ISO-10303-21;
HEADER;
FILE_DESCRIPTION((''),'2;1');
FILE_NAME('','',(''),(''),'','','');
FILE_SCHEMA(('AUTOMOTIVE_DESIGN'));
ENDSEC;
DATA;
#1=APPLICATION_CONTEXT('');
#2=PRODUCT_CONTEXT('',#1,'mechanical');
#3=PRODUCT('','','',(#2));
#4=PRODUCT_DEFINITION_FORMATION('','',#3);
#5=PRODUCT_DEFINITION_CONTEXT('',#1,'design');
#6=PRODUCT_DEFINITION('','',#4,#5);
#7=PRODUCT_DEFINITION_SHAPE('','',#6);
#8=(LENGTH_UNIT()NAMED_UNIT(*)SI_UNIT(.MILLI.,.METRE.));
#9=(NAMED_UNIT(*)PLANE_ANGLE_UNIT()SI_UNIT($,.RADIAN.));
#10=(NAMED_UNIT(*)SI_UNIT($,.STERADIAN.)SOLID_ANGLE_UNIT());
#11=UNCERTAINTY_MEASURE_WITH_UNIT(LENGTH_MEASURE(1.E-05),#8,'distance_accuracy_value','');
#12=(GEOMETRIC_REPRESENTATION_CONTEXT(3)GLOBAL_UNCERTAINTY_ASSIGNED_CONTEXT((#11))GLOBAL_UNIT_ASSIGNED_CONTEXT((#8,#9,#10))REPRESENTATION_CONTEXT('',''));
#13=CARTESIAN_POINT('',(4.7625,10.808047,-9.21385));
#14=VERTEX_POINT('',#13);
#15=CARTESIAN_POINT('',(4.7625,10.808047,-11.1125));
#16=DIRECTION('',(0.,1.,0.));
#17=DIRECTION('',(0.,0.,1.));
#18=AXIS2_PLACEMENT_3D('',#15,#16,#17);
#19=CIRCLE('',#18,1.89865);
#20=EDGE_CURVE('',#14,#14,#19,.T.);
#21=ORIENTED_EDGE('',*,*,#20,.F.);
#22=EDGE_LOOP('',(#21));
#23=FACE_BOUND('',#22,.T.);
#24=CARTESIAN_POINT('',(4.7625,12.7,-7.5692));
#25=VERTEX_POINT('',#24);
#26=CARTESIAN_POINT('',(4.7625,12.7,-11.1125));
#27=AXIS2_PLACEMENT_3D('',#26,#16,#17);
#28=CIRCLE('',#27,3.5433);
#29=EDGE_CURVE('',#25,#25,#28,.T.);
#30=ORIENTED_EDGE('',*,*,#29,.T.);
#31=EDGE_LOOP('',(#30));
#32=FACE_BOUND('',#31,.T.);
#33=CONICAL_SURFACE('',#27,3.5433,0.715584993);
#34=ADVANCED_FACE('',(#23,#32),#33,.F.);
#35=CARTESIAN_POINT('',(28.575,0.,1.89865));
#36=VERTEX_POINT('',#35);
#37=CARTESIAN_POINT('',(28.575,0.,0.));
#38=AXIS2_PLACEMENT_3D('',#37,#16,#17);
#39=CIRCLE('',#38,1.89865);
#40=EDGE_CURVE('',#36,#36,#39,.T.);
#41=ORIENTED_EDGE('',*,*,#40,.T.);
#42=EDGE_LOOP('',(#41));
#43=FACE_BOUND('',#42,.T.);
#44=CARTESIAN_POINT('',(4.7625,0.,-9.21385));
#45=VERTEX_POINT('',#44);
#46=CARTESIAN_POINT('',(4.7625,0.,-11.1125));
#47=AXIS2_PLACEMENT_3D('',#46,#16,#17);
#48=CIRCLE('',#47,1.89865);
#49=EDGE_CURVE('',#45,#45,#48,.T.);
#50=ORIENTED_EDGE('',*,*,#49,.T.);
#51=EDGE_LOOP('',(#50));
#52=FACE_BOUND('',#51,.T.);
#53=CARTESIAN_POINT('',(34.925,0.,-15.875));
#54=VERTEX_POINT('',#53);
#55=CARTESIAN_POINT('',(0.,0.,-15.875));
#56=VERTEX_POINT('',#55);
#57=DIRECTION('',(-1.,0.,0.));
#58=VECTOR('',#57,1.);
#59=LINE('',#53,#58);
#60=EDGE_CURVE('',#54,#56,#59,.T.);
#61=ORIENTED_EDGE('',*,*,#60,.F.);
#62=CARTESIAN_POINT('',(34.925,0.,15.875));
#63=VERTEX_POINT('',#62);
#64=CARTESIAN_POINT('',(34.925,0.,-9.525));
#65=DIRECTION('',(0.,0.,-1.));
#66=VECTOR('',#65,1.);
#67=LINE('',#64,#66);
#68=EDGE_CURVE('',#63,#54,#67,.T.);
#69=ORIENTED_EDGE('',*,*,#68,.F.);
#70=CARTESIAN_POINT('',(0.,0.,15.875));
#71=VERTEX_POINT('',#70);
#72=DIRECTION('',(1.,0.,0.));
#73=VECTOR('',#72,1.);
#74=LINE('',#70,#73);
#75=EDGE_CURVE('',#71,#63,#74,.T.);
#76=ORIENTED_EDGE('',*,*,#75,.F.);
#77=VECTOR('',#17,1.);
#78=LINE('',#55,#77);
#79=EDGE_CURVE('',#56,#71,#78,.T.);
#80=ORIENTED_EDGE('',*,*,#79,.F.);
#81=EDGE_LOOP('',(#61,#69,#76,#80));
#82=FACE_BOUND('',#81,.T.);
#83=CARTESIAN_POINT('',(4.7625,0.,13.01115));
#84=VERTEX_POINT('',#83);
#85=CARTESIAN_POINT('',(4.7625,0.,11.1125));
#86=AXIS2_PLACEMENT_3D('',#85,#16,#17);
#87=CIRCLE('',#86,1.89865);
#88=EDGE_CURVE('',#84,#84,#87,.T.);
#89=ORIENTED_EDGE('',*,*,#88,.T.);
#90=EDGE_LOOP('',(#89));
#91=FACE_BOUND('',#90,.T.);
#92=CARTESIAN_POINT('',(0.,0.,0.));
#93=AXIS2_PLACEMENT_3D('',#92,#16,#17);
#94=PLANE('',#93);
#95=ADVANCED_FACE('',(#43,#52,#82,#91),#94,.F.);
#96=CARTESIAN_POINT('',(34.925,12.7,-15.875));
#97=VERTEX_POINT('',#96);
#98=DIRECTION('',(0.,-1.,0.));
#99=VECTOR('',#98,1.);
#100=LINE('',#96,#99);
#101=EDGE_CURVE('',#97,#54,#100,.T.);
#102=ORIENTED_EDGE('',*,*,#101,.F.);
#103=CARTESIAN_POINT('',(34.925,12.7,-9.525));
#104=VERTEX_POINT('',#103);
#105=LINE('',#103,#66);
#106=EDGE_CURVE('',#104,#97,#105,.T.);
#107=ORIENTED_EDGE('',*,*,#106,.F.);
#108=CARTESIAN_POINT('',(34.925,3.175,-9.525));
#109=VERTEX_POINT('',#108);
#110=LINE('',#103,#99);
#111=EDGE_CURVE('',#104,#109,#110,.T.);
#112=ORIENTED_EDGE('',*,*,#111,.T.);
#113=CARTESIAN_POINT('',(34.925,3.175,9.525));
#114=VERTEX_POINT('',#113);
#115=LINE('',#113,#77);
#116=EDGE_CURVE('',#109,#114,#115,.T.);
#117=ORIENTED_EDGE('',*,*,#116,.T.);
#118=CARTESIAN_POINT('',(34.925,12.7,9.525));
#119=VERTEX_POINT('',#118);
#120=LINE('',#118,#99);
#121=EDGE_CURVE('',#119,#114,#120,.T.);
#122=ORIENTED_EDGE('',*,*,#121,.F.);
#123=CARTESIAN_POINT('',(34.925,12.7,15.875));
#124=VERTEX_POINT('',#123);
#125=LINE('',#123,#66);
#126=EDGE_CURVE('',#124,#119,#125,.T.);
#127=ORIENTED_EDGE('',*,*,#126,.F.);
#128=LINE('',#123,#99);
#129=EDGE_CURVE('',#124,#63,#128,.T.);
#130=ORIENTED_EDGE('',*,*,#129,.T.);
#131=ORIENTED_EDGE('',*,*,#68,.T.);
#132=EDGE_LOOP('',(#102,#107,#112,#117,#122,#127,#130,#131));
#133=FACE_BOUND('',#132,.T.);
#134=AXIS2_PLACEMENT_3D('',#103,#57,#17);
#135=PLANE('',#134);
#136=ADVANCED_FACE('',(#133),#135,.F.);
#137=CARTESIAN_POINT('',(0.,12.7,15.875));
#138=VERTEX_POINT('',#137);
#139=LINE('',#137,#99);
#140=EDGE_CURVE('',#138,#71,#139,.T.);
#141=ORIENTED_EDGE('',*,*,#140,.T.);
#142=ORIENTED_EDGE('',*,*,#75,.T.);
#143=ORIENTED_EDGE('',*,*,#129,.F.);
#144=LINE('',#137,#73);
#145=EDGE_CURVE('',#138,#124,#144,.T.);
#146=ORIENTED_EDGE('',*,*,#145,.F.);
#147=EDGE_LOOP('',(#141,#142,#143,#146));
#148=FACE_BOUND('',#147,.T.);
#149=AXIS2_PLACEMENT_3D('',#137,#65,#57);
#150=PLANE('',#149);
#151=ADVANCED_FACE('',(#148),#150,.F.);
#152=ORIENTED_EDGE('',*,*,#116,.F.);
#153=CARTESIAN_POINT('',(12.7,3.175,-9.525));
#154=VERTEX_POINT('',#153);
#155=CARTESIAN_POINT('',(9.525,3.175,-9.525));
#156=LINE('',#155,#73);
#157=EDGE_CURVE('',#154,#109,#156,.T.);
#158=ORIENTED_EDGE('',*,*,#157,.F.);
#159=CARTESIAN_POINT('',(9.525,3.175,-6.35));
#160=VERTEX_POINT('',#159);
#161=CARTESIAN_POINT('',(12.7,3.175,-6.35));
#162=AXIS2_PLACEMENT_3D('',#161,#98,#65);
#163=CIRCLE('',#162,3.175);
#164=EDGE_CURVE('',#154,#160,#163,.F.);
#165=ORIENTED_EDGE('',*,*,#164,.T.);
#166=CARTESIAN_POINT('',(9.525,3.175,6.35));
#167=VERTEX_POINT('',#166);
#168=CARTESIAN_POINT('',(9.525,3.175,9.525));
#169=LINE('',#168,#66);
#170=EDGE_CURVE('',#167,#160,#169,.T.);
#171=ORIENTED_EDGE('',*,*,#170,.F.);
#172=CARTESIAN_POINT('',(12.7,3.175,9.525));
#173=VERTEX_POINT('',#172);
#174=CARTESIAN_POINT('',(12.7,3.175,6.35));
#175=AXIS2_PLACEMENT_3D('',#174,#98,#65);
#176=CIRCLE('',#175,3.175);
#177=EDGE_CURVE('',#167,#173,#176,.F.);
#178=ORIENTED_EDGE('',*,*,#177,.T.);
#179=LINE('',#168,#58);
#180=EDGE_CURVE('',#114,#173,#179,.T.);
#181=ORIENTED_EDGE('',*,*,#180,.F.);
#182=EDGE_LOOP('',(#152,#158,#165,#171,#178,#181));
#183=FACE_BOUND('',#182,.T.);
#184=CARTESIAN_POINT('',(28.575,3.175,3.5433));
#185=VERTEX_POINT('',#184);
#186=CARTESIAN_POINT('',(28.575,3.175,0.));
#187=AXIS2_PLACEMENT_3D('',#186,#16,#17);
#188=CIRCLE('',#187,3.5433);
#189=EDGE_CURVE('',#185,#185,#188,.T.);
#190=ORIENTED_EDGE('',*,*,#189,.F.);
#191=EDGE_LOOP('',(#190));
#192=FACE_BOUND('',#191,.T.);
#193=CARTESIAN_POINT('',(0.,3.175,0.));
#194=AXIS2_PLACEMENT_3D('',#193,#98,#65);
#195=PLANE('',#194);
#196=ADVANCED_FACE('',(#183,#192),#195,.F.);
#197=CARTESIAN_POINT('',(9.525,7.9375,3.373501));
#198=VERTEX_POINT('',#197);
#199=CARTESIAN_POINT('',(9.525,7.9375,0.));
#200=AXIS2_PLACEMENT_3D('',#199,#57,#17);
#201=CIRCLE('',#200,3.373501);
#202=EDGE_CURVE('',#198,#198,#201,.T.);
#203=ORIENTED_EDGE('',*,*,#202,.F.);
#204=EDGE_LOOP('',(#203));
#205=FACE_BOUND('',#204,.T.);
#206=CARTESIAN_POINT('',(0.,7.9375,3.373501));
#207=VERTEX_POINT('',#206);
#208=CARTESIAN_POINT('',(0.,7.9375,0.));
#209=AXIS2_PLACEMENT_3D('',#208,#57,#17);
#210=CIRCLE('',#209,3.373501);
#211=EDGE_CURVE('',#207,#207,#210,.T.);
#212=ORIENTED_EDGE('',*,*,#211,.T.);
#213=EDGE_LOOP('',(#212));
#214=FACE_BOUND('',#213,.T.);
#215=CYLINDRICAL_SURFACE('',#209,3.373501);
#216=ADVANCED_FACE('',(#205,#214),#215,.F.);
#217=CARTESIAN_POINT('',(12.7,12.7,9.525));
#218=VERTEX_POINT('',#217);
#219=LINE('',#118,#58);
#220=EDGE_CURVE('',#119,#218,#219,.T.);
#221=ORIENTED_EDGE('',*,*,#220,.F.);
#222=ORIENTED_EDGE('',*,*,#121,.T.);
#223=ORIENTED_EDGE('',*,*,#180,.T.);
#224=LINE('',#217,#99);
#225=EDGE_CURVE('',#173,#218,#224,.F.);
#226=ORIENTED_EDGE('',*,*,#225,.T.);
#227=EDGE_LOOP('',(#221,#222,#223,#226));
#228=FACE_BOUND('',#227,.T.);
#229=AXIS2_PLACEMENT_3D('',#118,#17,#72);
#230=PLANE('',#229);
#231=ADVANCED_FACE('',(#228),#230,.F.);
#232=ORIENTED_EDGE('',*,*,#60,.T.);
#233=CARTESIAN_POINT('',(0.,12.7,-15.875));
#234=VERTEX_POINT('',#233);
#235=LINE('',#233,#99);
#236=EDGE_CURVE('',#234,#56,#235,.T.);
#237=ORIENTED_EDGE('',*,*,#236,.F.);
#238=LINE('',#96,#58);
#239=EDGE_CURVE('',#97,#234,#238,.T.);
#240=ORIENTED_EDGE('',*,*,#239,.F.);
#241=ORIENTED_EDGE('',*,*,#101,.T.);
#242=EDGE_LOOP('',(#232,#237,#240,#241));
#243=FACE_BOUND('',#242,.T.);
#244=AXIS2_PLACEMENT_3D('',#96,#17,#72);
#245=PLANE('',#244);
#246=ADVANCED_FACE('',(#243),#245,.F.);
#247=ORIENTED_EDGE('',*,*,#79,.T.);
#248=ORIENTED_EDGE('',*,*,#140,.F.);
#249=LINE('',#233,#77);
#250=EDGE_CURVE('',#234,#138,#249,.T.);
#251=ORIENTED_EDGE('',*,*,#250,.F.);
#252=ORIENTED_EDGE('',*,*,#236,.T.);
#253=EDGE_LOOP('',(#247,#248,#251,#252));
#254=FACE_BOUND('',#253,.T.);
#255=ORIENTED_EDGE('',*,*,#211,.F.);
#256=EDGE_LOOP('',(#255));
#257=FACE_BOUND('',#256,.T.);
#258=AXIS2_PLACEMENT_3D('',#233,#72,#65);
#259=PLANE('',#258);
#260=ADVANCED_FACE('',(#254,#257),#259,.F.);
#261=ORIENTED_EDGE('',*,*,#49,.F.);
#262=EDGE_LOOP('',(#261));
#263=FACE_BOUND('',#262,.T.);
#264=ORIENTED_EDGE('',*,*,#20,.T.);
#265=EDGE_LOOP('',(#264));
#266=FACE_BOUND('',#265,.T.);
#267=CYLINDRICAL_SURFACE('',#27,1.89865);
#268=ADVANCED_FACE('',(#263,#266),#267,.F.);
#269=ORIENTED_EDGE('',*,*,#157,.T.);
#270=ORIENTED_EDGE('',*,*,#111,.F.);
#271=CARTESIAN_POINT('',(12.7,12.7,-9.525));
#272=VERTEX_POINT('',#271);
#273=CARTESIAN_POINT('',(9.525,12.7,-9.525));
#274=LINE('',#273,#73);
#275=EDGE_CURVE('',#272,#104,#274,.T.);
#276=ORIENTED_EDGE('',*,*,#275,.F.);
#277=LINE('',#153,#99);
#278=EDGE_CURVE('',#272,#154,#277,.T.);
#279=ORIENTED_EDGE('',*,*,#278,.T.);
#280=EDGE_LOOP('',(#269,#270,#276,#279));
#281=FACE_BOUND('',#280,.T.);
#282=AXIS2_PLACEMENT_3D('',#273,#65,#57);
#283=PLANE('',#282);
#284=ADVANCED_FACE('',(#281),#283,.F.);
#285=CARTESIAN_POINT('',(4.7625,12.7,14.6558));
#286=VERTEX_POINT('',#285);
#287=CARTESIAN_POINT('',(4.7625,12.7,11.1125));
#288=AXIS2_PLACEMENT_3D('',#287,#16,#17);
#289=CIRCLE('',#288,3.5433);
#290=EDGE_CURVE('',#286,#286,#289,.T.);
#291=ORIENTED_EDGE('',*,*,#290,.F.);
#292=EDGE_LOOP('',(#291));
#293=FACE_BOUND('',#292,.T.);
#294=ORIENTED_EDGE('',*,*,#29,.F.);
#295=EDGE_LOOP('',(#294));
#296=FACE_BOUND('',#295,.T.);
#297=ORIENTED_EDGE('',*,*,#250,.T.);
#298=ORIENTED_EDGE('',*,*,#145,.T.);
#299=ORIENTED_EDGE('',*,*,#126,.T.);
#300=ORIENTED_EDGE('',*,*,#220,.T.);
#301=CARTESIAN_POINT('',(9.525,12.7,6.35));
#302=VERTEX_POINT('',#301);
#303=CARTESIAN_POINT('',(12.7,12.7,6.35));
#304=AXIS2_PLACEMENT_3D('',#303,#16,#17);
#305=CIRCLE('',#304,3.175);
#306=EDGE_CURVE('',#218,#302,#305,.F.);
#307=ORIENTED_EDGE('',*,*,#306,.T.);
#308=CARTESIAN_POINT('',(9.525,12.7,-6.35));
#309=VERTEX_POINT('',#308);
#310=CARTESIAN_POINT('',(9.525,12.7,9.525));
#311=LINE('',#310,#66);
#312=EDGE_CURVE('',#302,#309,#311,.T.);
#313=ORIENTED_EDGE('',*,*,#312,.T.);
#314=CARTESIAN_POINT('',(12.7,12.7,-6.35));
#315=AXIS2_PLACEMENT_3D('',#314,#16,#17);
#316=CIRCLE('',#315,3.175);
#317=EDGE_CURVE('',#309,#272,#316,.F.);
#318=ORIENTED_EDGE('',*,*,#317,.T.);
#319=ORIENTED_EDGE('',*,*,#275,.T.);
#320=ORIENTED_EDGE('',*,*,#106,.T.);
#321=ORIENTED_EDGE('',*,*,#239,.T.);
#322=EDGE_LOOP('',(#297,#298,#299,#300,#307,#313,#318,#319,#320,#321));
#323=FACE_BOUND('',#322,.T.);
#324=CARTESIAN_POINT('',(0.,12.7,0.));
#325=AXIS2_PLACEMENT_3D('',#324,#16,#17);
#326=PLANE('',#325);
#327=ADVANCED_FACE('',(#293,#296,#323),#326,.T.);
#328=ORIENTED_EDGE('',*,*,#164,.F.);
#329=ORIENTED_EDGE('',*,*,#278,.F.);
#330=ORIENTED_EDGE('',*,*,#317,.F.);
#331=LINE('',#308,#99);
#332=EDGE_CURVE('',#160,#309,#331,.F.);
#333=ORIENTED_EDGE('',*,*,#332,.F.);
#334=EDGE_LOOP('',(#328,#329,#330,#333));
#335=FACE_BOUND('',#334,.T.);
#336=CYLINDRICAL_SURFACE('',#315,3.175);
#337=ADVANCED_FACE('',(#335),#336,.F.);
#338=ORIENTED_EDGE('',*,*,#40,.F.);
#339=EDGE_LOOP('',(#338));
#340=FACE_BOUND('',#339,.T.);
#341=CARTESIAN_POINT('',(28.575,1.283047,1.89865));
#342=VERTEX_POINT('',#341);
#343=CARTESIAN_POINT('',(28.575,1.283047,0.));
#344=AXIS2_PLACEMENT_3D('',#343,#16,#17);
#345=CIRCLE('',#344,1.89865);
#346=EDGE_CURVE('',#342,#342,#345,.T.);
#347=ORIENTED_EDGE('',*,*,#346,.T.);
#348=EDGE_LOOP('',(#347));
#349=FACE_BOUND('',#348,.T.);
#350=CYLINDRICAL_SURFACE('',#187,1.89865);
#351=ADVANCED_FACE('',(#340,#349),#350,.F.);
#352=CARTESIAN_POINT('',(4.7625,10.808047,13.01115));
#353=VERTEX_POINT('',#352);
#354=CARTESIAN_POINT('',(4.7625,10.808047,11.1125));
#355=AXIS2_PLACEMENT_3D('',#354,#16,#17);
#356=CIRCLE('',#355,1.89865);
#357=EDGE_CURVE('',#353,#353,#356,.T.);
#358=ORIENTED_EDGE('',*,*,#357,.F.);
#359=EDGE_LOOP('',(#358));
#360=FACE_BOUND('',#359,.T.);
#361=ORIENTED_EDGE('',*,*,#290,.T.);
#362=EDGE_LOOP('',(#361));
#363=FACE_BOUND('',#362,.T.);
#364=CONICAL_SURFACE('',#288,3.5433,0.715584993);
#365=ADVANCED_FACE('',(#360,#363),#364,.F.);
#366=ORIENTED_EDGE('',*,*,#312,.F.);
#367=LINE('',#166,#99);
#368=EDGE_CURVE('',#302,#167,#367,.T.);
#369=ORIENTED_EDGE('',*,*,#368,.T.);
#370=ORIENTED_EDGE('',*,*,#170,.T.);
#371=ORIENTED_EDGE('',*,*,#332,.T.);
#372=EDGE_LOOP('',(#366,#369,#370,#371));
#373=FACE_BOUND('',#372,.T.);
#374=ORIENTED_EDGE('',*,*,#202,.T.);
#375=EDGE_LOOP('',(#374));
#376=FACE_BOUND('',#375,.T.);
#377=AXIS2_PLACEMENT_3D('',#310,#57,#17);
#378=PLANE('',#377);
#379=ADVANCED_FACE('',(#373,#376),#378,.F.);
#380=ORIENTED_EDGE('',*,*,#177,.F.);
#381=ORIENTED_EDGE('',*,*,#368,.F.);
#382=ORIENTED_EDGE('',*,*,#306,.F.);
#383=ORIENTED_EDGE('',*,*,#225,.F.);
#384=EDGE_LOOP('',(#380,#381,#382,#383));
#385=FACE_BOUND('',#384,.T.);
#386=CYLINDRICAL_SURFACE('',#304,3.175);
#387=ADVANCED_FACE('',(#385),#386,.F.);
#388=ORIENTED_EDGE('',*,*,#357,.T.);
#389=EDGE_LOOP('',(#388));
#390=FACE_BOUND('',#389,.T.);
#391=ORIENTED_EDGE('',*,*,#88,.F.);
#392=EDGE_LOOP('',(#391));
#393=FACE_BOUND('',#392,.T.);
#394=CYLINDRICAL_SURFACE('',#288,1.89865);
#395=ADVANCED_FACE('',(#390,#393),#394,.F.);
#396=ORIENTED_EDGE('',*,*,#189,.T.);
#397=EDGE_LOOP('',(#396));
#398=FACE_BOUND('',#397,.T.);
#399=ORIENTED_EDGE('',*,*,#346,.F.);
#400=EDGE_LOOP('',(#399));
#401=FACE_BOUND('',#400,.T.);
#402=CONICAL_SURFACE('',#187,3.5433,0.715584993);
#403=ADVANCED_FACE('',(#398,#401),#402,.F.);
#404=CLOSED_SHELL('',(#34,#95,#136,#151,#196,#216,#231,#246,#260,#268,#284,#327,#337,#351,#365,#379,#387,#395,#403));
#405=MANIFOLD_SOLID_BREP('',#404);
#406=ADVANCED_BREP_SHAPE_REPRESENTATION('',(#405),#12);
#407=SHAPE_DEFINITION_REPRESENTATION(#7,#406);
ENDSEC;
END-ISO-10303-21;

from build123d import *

# Parameters (mm, degrees)
BOSS_EXTRUDE1_DEPTH                            = 12.7
SKETCH2_W                                      = 25.4
SKETCH2_H                                      = 19.05
BOSS_EXTRUDE2_DEPTH                            = 3.175
FILLET1_R                                      = 3.175
F_17_64_0_26563_DIAMETER_HOLE1_D               = 6.747002
CSK_FOR_6_FLAT_HEAD_MACHINE_SCREW1_D           = 3.7973
CSK_FOR_6_FLAT_HEAD_MACHINE_SCREW1_DEPTH       = 16.51
CSK_FOR_6_FLAT_HEAD_MACHINE_SCREW1_CSINK_D     = 7.0866
CSK_FOR_6_FLAT_HEAD_MACHINE_SCREW1_CSINK_ANGLE = 82
CSK_FOR_6_FLAT_HEAD_MACHINE_SCREW1_TIP         = 1.140824014
CSK_FOR_6_FLAT_HEAD_MACHINE_SCREW2_D           = 3.7973
CSK_FOR_6_FLAT_HEAD_MACHINE_SCREW2_DEPTH       = 16.51
CSK_FOR_6_FLAT_HEAD_MACHINE_SCREW2_CSINK_D     = 7.0866
CSK_FOR_6_FLAT_HEAD_MACHINE_SCREW2_CSINK_ANGLE = 82
CSK_FOR_6_FLAT_HEAD_MACHINE_SCREW2_TIP         = 1.140824014


with BuildPart() as part:
    # Sketch1 → Boss-Extrude1 (new body)
    with BuildSketch(Plane(origin=(0, 0, 0), x_dir=(1, 0, 0), z_dir=(0, 1, 0))):
        Polygon((0, 15.875), (0, -15.875), (34.925, -15.875), (34.925, -9.525), (9.525, -9.525), (9.525, 9.525), (34.925, 9.525), (34.925, 15.875), align=None)
    extrude(amount=BOSS_EXTRUDE1_DEPTH)

    # Sketch2 → Boss-Extrude2 (add)
    with BuildSketch(Plane.XZ):
        with Locations((22.225, 0)):
            Rectangle(SKETCH2_W, SKETCH2_H)
    extrude(amount=-BOSS_EXTRUDE2_DEPTH)

    # Fillet1
    fillet1_edges = [part.edges().sort_by_distance(p)[0] for p in [
        (9.525, 7.9375, -9.525),
        (9.525, 7.9375, 9.525),
    ]]
    fillet(fillet1_edges, radius=FILLET1_R)

    # 17/64 (0.26563) Diameter Hole1 (through all)
    with Locations(Plane.ZY):
        with Locations((0, 7.9375)):
            Hole(F_17_64_0_26563_DIAMETER_HOLE1_D / 2)

    # CSK for #6 Flat Head Machine Screw1
    with Locations(Plane(origin=(0, 12.7, 0), x_dir=(1, 0, 0), z_dir=(0, 1, 0))):
        with Locations((4.7625, -11.1125), (4.7625, 11.1125)):
            CounterSinkHole(CSK_FOR_6_FLAT_HEAD_MACHINE_SCREW1_D / 2, CSK_FOR_6_FLAT_HEAD_MACHINE_SCREW1_CSINK_D / 2, depth=CSK_FOR_6_FLAT_HEAD_MACHINE_SCREW1_DEPTH, counter_sink_angle=CSK_FOR_6_FLAT_HEAD_MACHINE_SCREW1_CSINK_ANGLE)
            with Locations((0, 0, -(CSK_FOR_6_FLAT_HEAD_MACHINE_SCREW1_DEPTH + CSK_FOR_6_FLAT_HEAD_MACHINE_SCREW1_TIP / 2))):  # 118° drill point
                Cone(0, CSK_FOR_6_FLAT_HEAD_MACHINE_SCREW1_D / 2, CSK_FOR_6_FLAT_HEAD_MACHINE_SCREW1_TIP, mode=Mode.SUBTRACT)

    # CSK for #6 Flat Head Machine Screw2
    with Locations(Plane(origin=(0, 3.175, 0), x_dir=(1, 0, 0), z_dir=(0, 1, 0))):
        with Locations((28.575, 0)):
            CounterSinkHole(CSK_FOR_6_FLAT_HEAD_MACHINE_SCREW2_D / 2, CSK_FOR_6_FLAT_HEAD_MACHINE_SCREW2_CSINK_D / 2, depth=CSK_FOR_6_FLAT_HEAD_MACHINE_SCREW2_DEPTH, counter_sink_angle=CSK_FOR_6_FLAT_HEAD_MACHINE_SCREW2_CSINK_ANGLE)
            with Locations((0, 0, -(CSK_FOR_6_FLAT_HEAD_MACHINE_SCREW2_DEPTH + CSK_FOR_6_FLAT_HEAD_MACHINE_SCREW2_TIP / 2))):  # 118° drill point
                Cone(0, CSK_FOR_6_FLAT_HEAD_MACHINE_SCREW2_D / 2, CSK_FOR_6_FLAT_HEAD_MACHINE_SCREW2_TIP, mode=Mode.SUBTRACT)


solid = part.part
